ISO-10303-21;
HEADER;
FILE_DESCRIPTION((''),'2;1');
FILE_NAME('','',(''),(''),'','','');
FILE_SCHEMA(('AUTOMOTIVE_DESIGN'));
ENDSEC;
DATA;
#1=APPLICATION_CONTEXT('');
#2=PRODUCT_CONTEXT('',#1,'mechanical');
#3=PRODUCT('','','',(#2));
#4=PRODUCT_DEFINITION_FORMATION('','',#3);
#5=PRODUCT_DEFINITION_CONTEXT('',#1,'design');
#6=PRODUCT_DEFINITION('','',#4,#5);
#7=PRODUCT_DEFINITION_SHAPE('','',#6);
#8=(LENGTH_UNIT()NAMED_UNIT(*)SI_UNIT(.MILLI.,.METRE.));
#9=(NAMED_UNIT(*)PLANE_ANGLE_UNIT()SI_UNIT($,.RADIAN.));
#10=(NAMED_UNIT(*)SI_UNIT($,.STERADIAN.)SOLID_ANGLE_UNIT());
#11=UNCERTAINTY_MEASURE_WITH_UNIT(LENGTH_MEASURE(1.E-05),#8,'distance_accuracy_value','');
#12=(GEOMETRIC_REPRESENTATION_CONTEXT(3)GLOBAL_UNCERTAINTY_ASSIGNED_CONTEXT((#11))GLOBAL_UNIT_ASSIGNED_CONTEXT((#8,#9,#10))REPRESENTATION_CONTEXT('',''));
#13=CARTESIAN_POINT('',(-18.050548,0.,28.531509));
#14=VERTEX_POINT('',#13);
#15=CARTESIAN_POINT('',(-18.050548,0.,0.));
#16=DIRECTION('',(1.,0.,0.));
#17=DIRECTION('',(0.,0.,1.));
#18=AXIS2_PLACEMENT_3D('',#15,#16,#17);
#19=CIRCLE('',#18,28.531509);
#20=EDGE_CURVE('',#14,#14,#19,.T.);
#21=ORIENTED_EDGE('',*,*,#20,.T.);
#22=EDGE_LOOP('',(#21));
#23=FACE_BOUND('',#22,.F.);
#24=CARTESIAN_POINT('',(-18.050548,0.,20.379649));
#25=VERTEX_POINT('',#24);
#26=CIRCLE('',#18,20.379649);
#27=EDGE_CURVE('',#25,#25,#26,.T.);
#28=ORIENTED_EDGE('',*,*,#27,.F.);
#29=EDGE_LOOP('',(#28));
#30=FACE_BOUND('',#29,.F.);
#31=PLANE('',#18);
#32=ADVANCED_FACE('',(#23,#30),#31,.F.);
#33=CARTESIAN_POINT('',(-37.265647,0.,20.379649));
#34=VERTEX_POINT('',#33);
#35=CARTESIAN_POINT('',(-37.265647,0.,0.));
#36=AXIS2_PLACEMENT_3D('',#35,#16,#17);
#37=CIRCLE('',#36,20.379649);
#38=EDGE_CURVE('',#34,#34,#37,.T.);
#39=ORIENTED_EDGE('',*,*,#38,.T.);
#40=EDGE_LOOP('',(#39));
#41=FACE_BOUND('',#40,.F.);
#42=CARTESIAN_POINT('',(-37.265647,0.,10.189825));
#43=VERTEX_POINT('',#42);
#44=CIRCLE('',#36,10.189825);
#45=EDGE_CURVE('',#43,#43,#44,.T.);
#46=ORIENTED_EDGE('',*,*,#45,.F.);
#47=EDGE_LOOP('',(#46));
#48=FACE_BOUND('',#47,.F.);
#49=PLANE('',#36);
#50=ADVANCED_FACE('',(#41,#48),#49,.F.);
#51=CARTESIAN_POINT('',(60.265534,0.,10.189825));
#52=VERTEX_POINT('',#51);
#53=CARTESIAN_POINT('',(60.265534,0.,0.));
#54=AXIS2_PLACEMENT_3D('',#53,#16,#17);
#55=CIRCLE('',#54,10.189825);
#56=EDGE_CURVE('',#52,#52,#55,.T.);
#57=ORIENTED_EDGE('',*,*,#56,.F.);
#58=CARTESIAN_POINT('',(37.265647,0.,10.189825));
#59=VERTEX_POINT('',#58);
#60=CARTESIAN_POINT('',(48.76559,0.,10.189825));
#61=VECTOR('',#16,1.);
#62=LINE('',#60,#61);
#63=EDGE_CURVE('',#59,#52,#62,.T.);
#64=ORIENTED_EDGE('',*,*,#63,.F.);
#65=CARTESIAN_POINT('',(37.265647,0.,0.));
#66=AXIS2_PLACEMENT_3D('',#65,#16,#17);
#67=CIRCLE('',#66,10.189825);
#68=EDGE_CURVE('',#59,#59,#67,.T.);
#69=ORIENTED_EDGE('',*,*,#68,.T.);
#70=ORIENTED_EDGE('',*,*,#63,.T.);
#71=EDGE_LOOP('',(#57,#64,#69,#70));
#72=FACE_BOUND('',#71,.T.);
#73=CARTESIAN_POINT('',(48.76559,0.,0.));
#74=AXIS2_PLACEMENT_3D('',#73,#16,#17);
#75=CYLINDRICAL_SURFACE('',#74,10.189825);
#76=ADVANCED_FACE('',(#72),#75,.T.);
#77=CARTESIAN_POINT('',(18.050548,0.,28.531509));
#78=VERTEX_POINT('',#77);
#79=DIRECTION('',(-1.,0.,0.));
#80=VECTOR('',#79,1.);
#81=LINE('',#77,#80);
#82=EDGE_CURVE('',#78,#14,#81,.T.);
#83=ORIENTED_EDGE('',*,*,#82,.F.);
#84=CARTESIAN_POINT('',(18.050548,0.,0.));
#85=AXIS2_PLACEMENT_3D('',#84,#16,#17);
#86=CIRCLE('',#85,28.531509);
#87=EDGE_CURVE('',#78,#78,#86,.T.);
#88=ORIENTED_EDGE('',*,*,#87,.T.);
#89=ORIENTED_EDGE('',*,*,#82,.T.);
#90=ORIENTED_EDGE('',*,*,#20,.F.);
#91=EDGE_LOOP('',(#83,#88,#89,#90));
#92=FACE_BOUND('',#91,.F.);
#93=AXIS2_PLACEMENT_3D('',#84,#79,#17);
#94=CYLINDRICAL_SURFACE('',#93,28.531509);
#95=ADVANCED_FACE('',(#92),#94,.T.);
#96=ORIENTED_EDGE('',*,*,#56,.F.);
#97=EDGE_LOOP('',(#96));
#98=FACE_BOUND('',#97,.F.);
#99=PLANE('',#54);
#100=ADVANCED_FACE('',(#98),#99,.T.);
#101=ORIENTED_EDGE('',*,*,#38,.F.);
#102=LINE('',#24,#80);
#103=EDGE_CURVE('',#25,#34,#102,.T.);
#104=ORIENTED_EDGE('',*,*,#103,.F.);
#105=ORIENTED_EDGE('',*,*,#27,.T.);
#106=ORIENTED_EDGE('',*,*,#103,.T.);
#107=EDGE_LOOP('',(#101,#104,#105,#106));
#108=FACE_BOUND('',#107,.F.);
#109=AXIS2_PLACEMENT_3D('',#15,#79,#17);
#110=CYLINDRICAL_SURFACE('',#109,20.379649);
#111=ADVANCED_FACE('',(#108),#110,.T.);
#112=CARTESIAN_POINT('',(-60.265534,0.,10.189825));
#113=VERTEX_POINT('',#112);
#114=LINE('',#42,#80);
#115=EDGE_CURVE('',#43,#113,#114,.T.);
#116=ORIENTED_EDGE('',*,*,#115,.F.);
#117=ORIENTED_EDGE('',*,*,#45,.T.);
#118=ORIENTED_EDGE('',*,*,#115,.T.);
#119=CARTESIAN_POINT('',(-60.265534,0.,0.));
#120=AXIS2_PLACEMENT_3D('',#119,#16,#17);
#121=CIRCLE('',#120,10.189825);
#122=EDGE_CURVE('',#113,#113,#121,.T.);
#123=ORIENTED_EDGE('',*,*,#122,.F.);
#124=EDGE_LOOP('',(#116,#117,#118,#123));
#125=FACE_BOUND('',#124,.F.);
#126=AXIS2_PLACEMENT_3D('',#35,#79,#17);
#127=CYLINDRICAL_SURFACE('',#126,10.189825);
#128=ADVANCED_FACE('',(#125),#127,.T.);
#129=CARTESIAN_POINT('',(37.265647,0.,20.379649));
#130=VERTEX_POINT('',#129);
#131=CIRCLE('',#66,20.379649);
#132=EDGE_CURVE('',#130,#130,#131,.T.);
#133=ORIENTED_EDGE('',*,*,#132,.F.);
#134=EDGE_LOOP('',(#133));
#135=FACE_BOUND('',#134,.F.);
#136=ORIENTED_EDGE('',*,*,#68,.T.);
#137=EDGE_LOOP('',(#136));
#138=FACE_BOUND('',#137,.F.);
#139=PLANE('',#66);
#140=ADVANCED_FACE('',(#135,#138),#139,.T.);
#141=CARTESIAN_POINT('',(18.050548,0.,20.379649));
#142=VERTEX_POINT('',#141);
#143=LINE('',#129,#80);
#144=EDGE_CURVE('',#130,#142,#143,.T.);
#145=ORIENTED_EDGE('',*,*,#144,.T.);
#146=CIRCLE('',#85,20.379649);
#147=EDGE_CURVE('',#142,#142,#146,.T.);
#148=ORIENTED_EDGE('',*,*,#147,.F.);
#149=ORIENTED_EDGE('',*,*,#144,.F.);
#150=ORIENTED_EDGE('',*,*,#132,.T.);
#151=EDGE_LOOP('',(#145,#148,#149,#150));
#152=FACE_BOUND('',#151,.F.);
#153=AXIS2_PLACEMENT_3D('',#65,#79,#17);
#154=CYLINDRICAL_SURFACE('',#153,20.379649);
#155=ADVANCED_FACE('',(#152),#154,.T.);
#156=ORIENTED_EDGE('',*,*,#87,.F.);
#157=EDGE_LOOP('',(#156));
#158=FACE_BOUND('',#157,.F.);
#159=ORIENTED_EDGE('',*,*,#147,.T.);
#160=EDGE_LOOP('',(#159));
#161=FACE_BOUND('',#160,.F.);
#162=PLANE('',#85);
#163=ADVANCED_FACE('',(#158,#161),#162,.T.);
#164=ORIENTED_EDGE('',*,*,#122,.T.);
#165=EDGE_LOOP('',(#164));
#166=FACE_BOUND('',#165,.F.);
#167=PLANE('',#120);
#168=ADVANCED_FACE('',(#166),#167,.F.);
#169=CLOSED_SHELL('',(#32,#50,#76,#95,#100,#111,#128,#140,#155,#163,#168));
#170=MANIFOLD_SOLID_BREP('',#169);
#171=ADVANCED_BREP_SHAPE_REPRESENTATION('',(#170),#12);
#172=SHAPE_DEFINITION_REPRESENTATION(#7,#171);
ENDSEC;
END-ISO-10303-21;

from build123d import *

# Parameters (mm, degrees)
F0_W = 22.9998864233
F0_H = 10.1898247376


with BuildPart() as f1:
    # F0 (on Front) → F1 (revolve)
    with BuildSketch(Plane.XZ):
        Polygon((-40.3225906193, 0), (-37.2656472027, 0), (-37.2656472027, 10.1898247376), (-60.2655336261, 10.1898247376), (-60.2655336261, 0), align=None)
        Polygon((-37.2656472027, 0), (-18.0505476892, 0), (-18.0505476892, 20.3796494752), (-37.2656472027, 20.3796494752), (-37.2656472027, 10.1898247376), align=None)
        Polygon((-18.0505476892, 0), (0, 0), (0, 28.5315085202), (-18.0505476892, 28.5315085202), (-18.0505476892, 20.3796494752), align=None)
        Polygon((0, 28.5315085202), (0, 0), (18.0505476892, 0), (18.0505476892, 20.3796494752), (18.0505476892, 28.5315085202), align=None)
        Polygon((18.0505476892, 20.3796494752), (18.0505476892, 0), (37.2656472027, 0), (37.2656472027, 10.1898247376), (37.2656472027, 20.3796494752), align=None)
        with Locations((48.7655904144, 5.0949123688)):
            Rectangle(F0_W, F0_H)
    revolve(axis=Axis((3.493655473, 0, 0), (1, 0, 0)))


solid = f1.part
